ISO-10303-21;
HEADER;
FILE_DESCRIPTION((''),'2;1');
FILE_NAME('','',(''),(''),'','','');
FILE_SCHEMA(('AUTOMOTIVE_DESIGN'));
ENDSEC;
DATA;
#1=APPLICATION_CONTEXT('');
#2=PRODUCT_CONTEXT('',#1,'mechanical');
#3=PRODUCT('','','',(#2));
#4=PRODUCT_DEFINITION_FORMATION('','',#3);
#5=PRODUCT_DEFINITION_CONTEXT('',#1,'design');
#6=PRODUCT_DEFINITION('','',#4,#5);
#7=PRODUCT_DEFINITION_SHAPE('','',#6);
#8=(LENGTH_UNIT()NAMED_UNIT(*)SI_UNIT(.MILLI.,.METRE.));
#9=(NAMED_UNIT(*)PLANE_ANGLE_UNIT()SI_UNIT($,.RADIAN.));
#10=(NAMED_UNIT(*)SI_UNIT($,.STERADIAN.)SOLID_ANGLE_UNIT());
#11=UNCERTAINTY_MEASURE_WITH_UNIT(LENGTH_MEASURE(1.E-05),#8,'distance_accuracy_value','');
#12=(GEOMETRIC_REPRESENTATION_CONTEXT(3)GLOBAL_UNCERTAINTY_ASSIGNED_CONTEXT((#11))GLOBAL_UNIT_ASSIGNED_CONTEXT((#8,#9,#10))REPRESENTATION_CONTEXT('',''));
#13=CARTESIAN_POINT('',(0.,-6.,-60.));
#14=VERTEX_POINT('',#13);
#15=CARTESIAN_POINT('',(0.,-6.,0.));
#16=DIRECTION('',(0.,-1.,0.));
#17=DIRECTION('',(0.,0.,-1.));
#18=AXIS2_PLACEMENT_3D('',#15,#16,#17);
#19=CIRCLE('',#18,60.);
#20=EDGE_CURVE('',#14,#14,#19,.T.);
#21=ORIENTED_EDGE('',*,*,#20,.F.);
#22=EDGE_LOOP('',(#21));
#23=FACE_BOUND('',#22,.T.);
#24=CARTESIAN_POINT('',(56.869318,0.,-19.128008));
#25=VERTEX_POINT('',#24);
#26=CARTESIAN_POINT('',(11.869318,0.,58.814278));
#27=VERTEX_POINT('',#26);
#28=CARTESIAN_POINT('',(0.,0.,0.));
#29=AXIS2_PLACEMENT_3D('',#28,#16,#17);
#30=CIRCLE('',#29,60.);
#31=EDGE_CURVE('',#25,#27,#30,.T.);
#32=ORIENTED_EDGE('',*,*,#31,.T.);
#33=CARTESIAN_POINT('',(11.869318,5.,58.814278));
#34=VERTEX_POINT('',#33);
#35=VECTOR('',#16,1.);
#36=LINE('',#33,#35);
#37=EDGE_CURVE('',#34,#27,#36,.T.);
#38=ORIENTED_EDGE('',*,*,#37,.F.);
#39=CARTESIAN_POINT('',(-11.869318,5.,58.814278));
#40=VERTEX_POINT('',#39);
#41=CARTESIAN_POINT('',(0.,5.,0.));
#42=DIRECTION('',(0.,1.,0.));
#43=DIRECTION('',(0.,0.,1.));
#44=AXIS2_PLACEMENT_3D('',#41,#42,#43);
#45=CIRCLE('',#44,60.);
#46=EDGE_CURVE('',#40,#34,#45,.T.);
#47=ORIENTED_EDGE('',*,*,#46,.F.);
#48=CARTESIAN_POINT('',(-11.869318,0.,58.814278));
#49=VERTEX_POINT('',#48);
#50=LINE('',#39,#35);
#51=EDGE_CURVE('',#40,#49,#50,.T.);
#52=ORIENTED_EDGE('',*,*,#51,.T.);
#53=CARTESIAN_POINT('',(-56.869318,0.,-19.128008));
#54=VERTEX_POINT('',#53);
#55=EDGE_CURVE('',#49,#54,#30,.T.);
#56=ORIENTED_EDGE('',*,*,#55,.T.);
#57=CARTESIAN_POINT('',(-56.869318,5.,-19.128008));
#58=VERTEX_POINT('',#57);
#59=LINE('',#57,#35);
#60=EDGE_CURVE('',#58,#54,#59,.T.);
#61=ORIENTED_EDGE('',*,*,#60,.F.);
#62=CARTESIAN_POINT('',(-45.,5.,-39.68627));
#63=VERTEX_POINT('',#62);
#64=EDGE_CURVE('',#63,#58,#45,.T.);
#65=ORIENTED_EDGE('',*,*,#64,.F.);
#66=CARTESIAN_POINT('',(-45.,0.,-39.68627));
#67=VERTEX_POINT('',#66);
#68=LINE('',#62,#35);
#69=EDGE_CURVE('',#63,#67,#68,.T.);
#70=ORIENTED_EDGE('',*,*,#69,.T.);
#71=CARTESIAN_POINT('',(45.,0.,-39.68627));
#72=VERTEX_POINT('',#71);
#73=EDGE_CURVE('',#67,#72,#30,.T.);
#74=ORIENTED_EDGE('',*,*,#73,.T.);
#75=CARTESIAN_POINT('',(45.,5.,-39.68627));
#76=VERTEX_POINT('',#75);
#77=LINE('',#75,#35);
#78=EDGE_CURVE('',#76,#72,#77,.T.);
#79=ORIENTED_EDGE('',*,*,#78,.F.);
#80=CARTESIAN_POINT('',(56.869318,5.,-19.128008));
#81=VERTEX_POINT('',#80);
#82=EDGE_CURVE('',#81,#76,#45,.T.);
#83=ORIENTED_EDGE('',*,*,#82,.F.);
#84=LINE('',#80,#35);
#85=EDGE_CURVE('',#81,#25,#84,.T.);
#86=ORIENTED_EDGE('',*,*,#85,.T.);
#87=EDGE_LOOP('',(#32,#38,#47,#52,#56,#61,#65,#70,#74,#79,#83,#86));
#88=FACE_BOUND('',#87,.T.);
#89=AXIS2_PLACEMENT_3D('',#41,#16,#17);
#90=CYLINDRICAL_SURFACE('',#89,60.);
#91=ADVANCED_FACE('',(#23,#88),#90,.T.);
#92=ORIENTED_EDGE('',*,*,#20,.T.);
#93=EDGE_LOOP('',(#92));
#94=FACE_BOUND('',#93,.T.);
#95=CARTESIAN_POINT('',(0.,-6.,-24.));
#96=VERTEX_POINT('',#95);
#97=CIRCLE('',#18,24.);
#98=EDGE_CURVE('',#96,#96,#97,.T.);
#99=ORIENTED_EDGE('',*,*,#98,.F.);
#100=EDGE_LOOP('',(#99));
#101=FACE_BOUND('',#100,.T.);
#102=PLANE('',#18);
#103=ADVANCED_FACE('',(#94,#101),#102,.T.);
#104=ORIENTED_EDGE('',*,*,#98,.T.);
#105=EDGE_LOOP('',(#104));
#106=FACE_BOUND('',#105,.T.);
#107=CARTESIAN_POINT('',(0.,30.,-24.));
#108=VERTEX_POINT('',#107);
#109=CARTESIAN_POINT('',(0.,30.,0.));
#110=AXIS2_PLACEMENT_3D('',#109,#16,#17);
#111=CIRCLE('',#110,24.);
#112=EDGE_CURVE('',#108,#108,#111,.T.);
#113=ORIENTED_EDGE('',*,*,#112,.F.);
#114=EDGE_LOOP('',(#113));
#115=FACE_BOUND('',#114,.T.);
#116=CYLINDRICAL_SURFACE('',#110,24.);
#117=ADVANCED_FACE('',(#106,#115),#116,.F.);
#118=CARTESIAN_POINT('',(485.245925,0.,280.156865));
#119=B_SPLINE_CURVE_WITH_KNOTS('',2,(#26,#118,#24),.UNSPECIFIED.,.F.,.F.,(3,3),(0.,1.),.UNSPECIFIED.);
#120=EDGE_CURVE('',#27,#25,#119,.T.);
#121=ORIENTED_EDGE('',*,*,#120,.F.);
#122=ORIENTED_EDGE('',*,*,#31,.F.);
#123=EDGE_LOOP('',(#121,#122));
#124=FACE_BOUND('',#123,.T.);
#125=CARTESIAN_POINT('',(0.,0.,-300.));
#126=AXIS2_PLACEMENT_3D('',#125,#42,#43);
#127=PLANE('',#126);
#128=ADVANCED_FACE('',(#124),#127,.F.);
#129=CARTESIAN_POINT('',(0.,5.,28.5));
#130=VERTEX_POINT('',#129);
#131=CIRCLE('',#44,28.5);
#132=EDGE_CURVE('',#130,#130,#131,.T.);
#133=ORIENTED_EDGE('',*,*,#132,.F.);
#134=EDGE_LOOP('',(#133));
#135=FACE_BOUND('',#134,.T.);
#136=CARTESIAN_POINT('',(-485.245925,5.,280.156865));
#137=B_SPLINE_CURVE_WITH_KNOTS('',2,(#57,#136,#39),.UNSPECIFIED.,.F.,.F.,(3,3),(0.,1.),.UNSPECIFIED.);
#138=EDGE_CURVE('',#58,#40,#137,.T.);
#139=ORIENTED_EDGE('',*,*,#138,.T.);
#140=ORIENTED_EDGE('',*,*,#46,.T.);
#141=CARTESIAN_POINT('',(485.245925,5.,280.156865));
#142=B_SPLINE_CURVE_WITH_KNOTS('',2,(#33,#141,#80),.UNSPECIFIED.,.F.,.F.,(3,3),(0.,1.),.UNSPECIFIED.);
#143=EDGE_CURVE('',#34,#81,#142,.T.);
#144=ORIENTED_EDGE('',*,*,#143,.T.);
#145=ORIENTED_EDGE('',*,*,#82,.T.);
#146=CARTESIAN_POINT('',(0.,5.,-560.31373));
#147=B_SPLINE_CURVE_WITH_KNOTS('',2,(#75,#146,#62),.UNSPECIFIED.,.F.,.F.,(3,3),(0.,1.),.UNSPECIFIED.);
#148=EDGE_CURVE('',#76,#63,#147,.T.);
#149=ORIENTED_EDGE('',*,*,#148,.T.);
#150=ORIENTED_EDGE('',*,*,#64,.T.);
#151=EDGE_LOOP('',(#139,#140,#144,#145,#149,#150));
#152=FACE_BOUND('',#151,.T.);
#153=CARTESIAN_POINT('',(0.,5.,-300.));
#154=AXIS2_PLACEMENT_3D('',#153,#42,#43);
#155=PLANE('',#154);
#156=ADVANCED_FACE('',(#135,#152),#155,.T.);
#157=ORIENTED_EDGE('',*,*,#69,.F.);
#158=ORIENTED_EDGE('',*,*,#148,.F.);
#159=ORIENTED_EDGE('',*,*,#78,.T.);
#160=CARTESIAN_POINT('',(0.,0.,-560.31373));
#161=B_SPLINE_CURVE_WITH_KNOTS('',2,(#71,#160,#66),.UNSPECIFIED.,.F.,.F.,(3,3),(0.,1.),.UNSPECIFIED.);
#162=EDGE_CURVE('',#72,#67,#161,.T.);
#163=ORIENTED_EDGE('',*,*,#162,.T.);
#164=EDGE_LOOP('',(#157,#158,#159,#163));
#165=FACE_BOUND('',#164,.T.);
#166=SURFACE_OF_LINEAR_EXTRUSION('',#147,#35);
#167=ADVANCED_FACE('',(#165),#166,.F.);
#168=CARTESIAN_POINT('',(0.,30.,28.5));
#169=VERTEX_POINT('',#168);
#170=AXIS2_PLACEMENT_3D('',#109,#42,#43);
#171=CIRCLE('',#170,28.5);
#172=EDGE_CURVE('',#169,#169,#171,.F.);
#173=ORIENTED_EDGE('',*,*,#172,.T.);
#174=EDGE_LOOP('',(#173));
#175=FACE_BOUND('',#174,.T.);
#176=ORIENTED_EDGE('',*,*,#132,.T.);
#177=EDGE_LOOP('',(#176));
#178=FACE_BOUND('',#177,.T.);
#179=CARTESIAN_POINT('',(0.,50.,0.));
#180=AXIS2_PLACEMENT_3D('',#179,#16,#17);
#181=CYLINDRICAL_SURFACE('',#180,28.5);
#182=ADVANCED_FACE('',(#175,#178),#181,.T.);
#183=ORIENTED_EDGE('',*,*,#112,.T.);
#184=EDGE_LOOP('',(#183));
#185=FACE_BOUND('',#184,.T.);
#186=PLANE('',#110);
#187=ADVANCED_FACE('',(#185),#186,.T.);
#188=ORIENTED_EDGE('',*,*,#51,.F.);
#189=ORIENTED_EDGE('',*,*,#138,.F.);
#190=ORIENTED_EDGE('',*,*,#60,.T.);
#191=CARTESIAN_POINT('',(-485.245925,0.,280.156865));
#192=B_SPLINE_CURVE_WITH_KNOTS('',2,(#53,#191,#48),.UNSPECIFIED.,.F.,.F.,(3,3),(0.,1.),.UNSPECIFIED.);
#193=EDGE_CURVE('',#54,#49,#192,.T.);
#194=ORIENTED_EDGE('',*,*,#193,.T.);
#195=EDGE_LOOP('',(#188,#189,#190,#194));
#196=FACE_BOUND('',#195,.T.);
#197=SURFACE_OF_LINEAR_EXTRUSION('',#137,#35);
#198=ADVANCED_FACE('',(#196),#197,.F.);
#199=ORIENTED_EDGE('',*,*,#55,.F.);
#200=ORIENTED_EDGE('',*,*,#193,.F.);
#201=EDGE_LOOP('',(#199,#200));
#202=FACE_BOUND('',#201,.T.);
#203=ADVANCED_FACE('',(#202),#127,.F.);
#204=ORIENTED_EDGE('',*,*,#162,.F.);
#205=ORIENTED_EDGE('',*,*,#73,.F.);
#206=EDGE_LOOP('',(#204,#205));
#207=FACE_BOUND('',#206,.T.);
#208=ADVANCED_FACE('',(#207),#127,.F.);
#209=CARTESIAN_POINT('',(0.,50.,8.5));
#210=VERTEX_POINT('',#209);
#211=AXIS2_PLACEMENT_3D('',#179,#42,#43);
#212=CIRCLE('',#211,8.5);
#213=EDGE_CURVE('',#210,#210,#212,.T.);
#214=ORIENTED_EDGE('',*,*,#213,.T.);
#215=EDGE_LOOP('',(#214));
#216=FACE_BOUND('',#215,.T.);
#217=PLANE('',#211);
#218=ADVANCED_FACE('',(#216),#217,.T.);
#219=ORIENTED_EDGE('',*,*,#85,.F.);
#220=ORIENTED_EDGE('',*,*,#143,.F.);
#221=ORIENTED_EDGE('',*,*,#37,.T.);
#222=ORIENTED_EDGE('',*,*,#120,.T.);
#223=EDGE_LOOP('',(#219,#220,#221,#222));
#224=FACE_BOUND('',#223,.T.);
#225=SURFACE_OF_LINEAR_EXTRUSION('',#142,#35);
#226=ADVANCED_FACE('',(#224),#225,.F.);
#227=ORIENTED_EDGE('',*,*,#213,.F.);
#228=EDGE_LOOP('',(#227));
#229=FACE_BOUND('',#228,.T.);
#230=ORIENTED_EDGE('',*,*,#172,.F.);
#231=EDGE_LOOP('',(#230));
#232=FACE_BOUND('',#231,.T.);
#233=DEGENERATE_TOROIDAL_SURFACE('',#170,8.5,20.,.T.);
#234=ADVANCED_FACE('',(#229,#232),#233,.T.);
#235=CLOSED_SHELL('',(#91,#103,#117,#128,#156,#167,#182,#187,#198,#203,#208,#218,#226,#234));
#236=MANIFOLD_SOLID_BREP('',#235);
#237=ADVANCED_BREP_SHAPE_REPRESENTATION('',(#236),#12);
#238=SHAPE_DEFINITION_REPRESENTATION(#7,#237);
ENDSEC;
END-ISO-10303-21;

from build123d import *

# Parameters (mm, degrees)
BOSS_EXTRUDE1_DEPTH = 5
SKETCH2_R           = 28.5
BOSS_EXTRUDE2_DEPTH = 45
FILLET1_R           = 20
SKETCH3_R           = 60
BOSS_EXTRUDE3_DEPTH = 6
SKETCH4_R           = 24
CUT_EXTRUDE1_DEPTH  = 36


with BuildPart() as part:
    # Sketch1 → Boss-Extrude1 (new body)
    with BuildSketch(Plane(origin=(0, 0, 0), x_dir=(1, 0, 0), z_dir=(0, 1, 0))):
        with BuildLine():
            ThreePointArc((-45, 39.686269666), (-51.961524227, 30), (-56.869317712, 19.128008337))
            add(Edge.make_bspline(
                [(-11.869317712, -58.814278003), (-485.245924558, -280.156865167), (-56.869317712, 19.128008337)],
                knots=[0, 0, 0, 1, 1, 1], degree=2))
            ThreePointArc((-11.869317712, -58.814278003), (0, -60), (11.869317712, -58.814278003))
            add(Edge.make_bspline(
                [(56.869317712, 19.128008337), (485.245924558, -280.156865167), (11.869317712, -58.814278003)],
                knots=[0, 0, 0, 1, 1, 1], degree=2))
            ThreePointArc((56.869317712, 19.128008337), (51.961524227, 30), (45, 39.686269666))
            add(Edge.make_bspline(
                [(-45, 39.686269666), (0, 560.313730334), (45, 39.686269666)],
                knots=[0, 0, 0, 1, 1, 1], degree=2))
        make_face()
    extrude(amount=BOSS_EXTRUDE1_DEPTH)

    # Sketch2 → Boss-Extrude2 (add)
    with BuildSketch(Plane(origin=(0, 5, 0), x_dir=(1, 0, 0), z_dir=(0, 1, 0))):
        Circle(SKETCH2_R)
    extrude(amount=BOSS_EXTRUDE2_DEPTH)

    # Fillet1
    fillet1_edges = [part.edges().sort_by_distance(p)[0] for p in [
        (-28.5, 50, 0),
    ]]
    fillet(fillet1_edges, radius=FILLET1_R)

    # Sketch3 → Boss-Extrude3 (add)
    with BuildSketch(Plane.XZ):
        Circle(SKETCH3_R)
    extrude(amount=BOSS_EXTRUDE3_DEPTH)

    # Sketch4 → Cut-Extrude1 (cut)
    with BuildSketch(Plane.XZ.offset(6)):
        Circle(SKETCH4_R)
    extrude(amount=-CUT_EXTRUDE1_DEPTH, mode=Mode.SUBTRACT)


solid = part.part
